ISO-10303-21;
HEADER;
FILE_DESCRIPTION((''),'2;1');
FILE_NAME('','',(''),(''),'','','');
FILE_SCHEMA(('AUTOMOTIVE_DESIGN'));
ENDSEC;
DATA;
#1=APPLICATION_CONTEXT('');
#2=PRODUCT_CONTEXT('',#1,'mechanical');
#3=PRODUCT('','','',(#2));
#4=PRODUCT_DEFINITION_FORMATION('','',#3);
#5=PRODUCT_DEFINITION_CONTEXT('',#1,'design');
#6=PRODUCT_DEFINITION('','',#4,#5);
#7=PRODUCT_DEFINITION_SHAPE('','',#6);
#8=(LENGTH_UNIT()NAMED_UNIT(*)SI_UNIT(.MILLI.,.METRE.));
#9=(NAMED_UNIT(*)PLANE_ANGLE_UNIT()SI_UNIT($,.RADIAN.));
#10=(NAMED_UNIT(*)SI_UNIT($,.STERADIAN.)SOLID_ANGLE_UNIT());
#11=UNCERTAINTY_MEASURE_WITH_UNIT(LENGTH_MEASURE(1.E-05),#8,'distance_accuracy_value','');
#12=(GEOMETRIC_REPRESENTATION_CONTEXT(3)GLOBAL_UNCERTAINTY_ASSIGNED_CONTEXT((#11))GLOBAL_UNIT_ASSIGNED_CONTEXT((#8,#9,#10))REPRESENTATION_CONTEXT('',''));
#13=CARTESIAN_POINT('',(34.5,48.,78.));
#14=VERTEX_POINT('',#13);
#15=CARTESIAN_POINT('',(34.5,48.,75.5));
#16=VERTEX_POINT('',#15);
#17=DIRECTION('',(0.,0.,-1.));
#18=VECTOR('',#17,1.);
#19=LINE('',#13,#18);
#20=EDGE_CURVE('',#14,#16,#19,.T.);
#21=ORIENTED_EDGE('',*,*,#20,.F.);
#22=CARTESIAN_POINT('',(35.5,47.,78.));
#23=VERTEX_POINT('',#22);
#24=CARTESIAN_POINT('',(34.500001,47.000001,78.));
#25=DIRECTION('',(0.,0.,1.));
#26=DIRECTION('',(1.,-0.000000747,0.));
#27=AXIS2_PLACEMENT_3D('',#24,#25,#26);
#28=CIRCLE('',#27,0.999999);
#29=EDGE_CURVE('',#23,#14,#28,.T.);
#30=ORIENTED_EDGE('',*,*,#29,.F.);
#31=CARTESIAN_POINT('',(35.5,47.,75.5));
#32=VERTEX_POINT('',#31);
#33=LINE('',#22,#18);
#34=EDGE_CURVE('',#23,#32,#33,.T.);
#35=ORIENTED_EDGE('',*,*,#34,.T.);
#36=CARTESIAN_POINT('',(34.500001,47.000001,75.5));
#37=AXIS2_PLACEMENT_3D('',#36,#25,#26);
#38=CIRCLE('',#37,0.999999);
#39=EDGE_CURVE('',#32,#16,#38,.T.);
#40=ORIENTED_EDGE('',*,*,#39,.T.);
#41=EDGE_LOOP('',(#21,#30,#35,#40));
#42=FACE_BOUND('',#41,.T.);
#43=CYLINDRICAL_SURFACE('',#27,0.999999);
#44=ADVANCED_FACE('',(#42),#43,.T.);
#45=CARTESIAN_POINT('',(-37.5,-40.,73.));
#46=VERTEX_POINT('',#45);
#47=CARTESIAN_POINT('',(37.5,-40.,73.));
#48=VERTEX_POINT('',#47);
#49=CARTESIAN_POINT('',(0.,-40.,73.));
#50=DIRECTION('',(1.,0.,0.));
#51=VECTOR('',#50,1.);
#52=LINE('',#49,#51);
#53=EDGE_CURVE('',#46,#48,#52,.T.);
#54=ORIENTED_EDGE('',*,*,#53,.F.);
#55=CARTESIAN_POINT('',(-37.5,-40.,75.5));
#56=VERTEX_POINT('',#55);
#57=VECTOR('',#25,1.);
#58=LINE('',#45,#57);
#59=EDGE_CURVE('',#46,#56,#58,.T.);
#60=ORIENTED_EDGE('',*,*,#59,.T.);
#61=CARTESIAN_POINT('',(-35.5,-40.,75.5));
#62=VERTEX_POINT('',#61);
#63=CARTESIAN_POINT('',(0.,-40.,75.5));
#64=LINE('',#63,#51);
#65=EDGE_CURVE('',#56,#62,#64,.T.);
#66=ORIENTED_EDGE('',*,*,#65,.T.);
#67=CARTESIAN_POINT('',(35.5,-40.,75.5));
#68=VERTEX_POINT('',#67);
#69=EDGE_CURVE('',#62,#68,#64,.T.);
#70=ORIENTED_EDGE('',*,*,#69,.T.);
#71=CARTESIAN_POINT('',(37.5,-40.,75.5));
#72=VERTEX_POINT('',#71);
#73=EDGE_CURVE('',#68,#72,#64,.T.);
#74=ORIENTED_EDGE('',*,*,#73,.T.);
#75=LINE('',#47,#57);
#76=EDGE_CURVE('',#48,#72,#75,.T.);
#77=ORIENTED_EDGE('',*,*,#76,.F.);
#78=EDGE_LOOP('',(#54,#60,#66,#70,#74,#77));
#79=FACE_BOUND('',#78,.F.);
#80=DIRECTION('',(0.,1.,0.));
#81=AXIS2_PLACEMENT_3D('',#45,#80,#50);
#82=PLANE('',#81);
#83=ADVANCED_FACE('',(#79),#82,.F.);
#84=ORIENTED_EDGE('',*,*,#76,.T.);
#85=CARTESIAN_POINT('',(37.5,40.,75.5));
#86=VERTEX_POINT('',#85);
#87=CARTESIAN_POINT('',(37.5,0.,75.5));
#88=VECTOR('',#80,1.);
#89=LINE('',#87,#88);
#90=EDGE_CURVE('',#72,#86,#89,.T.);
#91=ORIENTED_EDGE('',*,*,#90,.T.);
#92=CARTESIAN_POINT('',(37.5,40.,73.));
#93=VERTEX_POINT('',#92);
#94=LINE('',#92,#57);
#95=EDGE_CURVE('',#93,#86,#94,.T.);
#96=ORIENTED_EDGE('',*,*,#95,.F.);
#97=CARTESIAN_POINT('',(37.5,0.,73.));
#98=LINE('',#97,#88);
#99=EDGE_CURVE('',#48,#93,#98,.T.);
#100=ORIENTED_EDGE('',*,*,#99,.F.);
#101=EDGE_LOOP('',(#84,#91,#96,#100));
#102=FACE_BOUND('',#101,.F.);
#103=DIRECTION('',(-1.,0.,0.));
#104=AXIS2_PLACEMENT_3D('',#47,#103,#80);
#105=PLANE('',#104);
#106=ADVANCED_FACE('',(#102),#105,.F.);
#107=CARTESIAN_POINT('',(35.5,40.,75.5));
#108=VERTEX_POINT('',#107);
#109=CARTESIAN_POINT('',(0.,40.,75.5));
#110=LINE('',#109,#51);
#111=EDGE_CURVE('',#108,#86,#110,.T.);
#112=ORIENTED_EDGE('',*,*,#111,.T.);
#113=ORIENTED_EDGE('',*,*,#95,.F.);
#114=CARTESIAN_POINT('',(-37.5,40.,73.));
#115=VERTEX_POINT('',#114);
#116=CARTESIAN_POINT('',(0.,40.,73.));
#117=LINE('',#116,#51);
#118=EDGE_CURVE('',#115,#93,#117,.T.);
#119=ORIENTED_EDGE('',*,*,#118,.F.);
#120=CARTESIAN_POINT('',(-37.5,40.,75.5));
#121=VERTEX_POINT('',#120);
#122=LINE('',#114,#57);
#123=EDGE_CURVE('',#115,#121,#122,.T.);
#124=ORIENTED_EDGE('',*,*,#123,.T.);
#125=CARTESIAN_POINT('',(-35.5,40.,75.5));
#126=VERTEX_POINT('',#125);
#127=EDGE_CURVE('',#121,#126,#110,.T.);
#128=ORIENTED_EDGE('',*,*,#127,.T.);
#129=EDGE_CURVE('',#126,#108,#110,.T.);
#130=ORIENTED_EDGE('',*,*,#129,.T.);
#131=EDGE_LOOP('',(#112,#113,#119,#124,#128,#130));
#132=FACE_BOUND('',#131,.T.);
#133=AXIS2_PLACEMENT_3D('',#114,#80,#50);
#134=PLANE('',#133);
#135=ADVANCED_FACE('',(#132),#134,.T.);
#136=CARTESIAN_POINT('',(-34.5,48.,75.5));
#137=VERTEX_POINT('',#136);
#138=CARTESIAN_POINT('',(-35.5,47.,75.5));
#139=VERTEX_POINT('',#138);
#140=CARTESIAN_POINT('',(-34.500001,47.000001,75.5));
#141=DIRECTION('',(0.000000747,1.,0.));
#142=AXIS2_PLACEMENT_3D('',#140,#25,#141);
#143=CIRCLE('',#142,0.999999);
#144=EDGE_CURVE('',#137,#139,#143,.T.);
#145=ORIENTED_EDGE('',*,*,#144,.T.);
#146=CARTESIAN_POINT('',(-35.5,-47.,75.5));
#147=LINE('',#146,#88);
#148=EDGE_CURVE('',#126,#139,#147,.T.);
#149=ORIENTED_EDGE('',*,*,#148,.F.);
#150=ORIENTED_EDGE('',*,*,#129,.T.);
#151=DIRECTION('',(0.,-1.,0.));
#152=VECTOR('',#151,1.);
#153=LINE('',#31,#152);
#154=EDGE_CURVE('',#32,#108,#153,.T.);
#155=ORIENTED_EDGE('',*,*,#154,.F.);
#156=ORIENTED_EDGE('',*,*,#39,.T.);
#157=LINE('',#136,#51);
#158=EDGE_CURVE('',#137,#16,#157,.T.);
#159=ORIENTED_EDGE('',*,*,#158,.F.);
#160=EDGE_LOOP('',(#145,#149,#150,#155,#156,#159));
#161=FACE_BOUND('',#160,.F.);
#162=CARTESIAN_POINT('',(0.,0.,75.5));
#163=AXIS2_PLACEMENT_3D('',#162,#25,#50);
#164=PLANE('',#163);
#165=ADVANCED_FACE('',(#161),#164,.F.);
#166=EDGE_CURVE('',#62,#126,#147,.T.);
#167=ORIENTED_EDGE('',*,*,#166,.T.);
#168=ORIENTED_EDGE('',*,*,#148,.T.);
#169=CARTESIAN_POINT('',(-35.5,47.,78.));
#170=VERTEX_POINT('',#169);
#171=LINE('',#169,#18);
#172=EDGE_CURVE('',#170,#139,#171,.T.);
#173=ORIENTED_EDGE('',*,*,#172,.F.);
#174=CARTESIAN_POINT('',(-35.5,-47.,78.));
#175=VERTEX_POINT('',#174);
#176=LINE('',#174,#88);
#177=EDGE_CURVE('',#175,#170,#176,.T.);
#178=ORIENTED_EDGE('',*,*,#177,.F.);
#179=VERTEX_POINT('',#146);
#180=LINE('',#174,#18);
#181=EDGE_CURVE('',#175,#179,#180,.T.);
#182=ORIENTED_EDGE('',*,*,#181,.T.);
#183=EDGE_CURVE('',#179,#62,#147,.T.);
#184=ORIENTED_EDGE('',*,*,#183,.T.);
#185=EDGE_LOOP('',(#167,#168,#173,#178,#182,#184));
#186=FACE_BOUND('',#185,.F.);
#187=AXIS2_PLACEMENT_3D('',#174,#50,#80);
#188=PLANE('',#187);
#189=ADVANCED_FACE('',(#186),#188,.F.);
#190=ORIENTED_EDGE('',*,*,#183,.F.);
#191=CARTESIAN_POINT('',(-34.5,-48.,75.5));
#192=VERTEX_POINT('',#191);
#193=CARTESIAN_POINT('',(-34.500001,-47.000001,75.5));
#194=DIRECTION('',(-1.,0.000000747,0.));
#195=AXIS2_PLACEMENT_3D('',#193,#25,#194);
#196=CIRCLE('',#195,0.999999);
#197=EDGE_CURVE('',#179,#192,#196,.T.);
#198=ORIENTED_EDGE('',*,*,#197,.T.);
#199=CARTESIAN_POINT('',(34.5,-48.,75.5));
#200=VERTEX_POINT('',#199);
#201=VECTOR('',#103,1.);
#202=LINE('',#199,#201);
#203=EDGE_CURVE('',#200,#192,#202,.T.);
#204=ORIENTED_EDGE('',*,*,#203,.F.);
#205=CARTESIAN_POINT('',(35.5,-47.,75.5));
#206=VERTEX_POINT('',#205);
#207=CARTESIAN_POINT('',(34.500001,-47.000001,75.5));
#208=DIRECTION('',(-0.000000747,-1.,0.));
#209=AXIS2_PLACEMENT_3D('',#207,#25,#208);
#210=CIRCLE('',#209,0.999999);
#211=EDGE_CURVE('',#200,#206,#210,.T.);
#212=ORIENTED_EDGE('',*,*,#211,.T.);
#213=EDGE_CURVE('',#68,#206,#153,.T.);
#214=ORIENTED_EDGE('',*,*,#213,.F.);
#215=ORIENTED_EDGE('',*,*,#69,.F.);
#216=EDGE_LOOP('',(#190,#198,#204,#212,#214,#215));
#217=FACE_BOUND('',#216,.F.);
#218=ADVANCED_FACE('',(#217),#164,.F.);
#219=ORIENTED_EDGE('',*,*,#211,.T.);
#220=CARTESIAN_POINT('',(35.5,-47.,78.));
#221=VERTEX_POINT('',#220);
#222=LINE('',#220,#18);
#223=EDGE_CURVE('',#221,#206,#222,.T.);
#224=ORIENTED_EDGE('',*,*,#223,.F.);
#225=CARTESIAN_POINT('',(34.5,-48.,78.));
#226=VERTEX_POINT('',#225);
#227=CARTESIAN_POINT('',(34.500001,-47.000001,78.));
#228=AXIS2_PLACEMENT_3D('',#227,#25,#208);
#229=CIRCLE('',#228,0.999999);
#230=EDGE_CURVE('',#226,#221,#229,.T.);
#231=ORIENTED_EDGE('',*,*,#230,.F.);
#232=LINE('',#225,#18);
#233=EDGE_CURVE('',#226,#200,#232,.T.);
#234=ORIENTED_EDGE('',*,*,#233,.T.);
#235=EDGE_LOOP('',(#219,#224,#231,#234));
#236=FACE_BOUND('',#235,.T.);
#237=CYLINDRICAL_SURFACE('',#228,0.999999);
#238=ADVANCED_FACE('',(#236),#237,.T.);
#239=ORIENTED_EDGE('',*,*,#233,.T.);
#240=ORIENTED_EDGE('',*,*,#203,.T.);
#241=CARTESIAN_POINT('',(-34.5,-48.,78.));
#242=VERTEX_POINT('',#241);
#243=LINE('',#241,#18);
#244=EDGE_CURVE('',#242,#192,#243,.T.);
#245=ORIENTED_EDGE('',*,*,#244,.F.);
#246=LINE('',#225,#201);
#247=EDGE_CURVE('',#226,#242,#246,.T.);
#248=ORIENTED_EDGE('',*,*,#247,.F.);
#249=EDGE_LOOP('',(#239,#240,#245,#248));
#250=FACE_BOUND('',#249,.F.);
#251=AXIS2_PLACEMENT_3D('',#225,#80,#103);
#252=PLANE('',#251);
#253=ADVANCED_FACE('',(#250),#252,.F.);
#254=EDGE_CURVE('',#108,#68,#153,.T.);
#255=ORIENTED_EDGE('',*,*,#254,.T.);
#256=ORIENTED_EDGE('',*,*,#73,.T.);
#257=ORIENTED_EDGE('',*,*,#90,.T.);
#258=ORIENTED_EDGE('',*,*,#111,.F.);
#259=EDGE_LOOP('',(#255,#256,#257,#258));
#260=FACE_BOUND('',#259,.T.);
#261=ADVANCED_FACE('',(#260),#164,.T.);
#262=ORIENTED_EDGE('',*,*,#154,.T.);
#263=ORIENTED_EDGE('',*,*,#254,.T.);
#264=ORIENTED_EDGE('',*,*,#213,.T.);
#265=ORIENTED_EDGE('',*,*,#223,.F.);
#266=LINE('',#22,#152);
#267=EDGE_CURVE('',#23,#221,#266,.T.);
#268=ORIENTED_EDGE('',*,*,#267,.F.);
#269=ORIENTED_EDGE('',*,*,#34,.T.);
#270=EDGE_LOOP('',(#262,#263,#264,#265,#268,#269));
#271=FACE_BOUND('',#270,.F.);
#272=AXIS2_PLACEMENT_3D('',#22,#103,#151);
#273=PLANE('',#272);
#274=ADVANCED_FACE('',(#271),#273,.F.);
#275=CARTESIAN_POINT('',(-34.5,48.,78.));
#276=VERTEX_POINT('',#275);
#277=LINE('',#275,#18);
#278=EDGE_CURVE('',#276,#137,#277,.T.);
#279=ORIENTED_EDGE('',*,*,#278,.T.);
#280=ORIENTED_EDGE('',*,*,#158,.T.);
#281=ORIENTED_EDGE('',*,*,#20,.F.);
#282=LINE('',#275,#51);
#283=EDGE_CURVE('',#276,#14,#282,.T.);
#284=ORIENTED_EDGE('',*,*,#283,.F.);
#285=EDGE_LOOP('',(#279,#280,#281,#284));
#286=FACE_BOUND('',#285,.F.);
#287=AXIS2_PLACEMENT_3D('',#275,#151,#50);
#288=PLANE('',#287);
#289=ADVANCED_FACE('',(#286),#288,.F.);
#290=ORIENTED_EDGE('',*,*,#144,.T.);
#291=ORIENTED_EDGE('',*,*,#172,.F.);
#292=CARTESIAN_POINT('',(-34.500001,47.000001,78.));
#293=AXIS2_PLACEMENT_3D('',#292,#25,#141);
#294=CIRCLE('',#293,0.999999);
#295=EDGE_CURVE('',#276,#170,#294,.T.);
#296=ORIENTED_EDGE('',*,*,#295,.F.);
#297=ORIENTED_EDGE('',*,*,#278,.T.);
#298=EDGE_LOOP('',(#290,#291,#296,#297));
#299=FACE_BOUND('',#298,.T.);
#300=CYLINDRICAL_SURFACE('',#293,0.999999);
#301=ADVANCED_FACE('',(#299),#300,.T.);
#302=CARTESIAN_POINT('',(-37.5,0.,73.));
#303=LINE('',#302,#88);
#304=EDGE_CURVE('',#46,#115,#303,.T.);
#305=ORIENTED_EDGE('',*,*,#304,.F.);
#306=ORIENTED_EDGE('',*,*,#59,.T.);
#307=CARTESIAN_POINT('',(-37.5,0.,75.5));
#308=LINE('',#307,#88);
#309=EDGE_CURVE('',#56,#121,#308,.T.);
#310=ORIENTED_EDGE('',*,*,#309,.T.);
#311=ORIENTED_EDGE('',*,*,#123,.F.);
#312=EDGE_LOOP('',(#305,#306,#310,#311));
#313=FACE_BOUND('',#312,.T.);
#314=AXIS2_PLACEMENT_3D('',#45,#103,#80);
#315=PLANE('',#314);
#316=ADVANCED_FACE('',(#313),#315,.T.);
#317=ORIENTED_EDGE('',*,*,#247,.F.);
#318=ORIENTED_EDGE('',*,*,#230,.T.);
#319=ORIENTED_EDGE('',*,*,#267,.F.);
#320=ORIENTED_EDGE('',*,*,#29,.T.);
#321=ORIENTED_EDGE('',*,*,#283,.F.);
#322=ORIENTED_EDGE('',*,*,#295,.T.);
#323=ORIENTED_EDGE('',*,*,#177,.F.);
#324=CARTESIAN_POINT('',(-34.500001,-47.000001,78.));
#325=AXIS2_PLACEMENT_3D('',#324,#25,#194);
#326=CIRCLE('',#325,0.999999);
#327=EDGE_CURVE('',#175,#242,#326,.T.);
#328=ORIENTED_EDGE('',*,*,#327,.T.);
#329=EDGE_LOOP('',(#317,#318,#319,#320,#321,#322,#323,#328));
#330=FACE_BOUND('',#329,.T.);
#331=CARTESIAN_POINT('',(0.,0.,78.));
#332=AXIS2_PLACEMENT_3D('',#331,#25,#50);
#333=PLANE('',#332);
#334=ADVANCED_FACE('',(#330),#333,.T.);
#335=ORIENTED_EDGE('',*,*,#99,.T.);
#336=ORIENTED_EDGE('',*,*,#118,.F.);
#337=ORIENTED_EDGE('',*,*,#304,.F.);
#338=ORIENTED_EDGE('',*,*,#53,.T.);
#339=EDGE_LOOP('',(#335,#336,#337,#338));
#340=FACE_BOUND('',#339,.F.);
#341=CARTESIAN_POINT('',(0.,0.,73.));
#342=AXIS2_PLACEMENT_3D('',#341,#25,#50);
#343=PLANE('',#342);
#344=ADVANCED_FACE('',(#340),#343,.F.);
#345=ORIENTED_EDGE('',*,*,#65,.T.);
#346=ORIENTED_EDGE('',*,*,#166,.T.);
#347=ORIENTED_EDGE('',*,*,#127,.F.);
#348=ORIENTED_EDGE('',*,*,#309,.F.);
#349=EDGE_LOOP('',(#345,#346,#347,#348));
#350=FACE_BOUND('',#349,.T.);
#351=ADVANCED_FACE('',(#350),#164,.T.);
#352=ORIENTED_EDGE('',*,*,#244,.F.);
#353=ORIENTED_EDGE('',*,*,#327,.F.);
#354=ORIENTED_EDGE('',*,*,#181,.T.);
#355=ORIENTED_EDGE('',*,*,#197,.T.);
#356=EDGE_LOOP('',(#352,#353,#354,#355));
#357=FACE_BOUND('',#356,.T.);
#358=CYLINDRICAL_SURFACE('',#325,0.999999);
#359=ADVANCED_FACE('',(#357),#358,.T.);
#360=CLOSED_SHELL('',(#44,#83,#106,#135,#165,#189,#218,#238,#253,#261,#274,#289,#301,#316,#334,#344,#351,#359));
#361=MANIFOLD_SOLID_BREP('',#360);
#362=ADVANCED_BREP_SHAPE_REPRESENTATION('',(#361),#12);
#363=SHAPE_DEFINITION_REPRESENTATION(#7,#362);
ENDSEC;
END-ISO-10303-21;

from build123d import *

# Parameters (mm, degrees)
SKETCH006_W      = 75
SKETCH006_H      = 80
EXTRUDE005_DEPTH = 2.5
EXTRUDE006_DEPTH = 2.5


with BuildPart() as extrude005:
    # Sketch006 (on Face34 of XOR001) → Extrude005 (new body)
    with BuildSketch(Plane.XY.offset(73)):
        Rectangle(SKETCH006_W, SKETCH006_H)
    extrude(amount=EXTRUDE005_DEPTH)


with BuildPart() as fusion:
    # Sketch007 (on Face5 of XOR001) → Extrude006 (new body)
    with BuildSketch(Plane.XY.offset(78)):
        with BuildLine():
            ThreePointArc((-34.5, 48), (-35.207107, 47.707107), (-35.5, 47))
            Line((-35.5, -47), (-35.5, 47))
            ThreePointArc((-35.5, -47), (-35.207107, -47.707107), (-34.5, -48))
            Line((34.5, -48), (-34.5, -48))
            ThreePointArc((34.5, -48), (35.207107, -47.707107), (35.5, -47))
            Line((35.5, 47), (35.5, -47))
            ThreePointArc((35.5, 47), (35.207107, 47.707107), (34.5, 48))
            Line((-34.5, 48), (34.5, 48))
        make_face()
    extrude(amount=-EXTRUDE006_DEPTH)

    # Fusion: union Extrude005
    add(extrude005.part)


solid = fusion.part
